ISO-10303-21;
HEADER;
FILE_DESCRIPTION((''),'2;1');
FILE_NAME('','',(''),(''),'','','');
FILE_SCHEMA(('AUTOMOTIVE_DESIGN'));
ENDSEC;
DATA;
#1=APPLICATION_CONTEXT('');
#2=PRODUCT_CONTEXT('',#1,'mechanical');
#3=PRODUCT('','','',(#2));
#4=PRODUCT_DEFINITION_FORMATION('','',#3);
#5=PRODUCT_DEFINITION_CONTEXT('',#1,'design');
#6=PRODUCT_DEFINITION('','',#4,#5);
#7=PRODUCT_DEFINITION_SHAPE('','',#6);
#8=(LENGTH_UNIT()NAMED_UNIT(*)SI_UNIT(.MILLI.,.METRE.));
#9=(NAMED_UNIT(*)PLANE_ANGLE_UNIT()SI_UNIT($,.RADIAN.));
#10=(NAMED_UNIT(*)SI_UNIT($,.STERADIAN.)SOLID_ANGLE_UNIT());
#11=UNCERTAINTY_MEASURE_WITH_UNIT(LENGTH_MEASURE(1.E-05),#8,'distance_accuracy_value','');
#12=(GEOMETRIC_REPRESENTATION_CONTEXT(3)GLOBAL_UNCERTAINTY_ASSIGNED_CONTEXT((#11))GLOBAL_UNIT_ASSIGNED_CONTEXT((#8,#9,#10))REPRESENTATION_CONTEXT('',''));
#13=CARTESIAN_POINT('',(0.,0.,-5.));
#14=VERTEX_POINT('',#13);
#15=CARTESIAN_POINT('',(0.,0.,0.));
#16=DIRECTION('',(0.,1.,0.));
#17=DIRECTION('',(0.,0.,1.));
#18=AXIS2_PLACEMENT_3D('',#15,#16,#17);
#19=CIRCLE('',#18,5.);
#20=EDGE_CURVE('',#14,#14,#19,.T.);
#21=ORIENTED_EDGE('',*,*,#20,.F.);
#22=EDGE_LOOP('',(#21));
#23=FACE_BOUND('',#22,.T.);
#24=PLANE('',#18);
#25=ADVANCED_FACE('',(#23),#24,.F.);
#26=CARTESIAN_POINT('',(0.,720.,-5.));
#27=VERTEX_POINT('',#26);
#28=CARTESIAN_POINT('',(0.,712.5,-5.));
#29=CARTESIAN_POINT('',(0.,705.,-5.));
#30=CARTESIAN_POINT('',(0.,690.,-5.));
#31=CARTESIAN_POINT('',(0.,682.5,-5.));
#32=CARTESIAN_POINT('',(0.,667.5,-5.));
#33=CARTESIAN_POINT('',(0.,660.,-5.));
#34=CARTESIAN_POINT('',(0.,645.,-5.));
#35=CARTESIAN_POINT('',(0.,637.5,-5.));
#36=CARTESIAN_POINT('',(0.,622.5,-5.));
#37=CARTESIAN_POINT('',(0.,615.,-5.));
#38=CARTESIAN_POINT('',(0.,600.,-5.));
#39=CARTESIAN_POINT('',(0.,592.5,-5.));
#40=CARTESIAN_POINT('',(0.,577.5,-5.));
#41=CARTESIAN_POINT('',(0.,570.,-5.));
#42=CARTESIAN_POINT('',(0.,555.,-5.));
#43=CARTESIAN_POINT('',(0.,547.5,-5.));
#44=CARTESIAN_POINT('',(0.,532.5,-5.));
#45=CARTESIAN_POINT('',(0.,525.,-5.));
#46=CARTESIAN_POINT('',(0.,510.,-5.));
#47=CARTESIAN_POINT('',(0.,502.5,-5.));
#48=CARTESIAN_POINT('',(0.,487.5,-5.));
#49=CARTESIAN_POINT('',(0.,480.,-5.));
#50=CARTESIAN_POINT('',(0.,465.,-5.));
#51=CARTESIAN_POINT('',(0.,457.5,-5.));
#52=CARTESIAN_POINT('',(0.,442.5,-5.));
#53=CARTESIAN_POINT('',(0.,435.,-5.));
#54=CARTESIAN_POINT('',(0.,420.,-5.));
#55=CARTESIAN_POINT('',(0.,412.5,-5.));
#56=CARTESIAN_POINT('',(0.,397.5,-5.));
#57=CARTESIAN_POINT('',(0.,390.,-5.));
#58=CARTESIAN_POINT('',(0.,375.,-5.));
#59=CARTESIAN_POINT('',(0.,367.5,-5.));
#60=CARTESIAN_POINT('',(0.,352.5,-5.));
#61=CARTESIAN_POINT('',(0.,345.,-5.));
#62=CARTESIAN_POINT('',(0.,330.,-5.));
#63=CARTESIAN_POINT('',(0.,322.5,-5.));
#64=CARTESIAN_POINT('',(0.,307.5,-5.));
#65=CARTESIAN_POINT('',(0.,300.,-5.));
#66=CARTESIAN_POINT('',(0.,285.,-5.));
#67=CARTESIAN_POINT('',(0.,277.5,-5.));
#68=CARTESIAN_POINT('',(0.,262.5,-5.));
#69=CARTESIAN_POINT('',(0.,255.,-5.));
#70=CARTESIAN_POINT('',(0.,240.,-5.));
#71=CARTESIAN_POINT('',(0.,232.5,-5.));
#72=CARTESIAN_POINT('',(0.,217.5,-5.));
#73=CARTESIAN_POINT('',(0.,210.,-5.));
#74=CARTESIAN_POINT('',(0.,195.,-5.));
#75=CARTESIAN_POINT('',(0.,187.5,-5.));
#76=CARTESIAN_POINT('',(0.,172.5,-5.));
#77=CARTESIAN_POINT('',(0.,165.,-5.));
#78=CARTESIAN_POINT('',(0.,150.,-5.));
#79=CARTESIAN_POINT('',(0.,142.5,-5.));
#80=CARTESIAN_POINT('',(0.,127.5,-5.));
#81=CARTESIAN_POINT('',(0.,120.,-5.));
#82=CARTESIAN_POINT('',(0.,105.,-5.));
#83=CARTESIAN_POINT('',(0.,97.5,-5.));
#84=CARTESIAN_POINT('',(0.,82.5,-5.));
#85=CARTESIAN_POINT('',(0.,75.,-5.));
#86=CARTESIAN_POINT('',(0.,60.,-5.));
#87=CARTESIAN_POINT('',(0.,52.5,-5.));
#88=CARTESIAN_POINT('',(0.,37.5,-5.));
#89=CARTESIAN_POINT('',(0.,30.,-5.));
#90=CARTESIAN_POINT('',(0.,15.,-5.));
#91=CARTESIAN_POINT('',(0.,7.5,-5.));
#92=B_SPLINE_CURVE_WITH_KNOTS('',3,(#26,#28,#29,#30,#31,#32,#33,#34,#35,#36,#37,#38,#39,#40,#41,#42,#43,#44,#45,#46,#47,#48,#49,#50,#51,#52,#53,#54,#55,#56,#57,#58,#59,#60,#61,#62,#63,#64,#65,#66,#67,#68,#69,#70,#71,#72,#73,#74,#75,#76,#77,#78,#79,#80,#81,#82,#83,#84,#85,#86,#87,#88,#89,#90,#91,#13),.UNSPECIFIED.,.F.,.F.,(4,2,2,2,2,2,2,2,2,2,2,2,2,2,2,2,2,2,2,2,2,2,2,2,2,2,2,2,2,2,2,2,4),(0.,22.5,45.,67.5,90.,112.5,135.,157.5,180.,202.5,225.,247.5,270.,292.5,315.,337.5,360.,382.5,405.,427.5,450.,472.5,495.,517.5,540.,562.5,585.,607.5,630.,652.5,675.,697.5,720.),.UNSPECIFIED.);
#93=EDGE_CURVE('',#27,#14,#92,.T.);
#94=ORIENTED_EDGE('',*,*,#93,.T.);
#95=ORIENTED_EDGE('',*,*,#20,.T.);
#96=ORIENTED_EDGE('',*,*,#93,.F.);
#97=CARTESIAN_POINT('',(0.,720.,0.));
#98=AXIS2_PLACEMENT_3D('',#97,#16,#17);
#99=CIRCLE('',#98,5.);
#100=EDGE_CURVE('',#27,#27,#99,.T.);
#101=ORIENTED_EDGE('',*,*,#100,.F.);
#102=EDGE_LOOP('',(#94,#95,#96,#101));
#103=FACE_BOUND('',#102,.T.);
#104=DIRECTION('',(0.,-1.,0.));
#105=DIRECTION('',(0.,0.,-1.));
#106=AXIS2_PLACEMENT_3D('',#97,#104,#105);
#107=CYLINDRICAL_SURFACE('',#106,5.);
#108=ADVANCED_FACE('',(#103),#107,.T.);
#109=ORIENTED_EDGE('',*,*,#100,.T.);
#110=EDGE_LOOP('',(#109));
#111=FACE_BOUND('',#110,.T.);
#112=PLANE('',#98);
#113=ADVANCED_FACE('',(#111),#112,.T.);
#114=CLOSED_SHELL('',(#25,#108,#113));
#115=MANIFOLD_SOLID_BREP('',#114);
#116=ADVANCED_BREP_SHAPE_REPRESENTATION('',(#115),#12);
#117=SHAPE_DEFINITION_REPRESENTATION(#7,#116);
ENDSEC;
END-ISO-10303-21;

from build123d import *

# Parameters (mm, degrees)
ESQUISSE1_R        = 5
BOSS_EXTRU_1_DEPTH = 720


with BuildPart() as part:
    # Esquisse1 → Boss.-Extru.1 (new body)
    with BuildSketch(Plane(origin=(0, 0, 0), x_dir=(1, 0, 0), z_dir=(0, 1, 0))):
        with Locations(Location((0, 0, 0), (0, 0, 90))):
            Circle(ESQUISSE1_R)
    extrude(amount=BOSS_EXTRU_1_DEPTH)


solid = part.part
